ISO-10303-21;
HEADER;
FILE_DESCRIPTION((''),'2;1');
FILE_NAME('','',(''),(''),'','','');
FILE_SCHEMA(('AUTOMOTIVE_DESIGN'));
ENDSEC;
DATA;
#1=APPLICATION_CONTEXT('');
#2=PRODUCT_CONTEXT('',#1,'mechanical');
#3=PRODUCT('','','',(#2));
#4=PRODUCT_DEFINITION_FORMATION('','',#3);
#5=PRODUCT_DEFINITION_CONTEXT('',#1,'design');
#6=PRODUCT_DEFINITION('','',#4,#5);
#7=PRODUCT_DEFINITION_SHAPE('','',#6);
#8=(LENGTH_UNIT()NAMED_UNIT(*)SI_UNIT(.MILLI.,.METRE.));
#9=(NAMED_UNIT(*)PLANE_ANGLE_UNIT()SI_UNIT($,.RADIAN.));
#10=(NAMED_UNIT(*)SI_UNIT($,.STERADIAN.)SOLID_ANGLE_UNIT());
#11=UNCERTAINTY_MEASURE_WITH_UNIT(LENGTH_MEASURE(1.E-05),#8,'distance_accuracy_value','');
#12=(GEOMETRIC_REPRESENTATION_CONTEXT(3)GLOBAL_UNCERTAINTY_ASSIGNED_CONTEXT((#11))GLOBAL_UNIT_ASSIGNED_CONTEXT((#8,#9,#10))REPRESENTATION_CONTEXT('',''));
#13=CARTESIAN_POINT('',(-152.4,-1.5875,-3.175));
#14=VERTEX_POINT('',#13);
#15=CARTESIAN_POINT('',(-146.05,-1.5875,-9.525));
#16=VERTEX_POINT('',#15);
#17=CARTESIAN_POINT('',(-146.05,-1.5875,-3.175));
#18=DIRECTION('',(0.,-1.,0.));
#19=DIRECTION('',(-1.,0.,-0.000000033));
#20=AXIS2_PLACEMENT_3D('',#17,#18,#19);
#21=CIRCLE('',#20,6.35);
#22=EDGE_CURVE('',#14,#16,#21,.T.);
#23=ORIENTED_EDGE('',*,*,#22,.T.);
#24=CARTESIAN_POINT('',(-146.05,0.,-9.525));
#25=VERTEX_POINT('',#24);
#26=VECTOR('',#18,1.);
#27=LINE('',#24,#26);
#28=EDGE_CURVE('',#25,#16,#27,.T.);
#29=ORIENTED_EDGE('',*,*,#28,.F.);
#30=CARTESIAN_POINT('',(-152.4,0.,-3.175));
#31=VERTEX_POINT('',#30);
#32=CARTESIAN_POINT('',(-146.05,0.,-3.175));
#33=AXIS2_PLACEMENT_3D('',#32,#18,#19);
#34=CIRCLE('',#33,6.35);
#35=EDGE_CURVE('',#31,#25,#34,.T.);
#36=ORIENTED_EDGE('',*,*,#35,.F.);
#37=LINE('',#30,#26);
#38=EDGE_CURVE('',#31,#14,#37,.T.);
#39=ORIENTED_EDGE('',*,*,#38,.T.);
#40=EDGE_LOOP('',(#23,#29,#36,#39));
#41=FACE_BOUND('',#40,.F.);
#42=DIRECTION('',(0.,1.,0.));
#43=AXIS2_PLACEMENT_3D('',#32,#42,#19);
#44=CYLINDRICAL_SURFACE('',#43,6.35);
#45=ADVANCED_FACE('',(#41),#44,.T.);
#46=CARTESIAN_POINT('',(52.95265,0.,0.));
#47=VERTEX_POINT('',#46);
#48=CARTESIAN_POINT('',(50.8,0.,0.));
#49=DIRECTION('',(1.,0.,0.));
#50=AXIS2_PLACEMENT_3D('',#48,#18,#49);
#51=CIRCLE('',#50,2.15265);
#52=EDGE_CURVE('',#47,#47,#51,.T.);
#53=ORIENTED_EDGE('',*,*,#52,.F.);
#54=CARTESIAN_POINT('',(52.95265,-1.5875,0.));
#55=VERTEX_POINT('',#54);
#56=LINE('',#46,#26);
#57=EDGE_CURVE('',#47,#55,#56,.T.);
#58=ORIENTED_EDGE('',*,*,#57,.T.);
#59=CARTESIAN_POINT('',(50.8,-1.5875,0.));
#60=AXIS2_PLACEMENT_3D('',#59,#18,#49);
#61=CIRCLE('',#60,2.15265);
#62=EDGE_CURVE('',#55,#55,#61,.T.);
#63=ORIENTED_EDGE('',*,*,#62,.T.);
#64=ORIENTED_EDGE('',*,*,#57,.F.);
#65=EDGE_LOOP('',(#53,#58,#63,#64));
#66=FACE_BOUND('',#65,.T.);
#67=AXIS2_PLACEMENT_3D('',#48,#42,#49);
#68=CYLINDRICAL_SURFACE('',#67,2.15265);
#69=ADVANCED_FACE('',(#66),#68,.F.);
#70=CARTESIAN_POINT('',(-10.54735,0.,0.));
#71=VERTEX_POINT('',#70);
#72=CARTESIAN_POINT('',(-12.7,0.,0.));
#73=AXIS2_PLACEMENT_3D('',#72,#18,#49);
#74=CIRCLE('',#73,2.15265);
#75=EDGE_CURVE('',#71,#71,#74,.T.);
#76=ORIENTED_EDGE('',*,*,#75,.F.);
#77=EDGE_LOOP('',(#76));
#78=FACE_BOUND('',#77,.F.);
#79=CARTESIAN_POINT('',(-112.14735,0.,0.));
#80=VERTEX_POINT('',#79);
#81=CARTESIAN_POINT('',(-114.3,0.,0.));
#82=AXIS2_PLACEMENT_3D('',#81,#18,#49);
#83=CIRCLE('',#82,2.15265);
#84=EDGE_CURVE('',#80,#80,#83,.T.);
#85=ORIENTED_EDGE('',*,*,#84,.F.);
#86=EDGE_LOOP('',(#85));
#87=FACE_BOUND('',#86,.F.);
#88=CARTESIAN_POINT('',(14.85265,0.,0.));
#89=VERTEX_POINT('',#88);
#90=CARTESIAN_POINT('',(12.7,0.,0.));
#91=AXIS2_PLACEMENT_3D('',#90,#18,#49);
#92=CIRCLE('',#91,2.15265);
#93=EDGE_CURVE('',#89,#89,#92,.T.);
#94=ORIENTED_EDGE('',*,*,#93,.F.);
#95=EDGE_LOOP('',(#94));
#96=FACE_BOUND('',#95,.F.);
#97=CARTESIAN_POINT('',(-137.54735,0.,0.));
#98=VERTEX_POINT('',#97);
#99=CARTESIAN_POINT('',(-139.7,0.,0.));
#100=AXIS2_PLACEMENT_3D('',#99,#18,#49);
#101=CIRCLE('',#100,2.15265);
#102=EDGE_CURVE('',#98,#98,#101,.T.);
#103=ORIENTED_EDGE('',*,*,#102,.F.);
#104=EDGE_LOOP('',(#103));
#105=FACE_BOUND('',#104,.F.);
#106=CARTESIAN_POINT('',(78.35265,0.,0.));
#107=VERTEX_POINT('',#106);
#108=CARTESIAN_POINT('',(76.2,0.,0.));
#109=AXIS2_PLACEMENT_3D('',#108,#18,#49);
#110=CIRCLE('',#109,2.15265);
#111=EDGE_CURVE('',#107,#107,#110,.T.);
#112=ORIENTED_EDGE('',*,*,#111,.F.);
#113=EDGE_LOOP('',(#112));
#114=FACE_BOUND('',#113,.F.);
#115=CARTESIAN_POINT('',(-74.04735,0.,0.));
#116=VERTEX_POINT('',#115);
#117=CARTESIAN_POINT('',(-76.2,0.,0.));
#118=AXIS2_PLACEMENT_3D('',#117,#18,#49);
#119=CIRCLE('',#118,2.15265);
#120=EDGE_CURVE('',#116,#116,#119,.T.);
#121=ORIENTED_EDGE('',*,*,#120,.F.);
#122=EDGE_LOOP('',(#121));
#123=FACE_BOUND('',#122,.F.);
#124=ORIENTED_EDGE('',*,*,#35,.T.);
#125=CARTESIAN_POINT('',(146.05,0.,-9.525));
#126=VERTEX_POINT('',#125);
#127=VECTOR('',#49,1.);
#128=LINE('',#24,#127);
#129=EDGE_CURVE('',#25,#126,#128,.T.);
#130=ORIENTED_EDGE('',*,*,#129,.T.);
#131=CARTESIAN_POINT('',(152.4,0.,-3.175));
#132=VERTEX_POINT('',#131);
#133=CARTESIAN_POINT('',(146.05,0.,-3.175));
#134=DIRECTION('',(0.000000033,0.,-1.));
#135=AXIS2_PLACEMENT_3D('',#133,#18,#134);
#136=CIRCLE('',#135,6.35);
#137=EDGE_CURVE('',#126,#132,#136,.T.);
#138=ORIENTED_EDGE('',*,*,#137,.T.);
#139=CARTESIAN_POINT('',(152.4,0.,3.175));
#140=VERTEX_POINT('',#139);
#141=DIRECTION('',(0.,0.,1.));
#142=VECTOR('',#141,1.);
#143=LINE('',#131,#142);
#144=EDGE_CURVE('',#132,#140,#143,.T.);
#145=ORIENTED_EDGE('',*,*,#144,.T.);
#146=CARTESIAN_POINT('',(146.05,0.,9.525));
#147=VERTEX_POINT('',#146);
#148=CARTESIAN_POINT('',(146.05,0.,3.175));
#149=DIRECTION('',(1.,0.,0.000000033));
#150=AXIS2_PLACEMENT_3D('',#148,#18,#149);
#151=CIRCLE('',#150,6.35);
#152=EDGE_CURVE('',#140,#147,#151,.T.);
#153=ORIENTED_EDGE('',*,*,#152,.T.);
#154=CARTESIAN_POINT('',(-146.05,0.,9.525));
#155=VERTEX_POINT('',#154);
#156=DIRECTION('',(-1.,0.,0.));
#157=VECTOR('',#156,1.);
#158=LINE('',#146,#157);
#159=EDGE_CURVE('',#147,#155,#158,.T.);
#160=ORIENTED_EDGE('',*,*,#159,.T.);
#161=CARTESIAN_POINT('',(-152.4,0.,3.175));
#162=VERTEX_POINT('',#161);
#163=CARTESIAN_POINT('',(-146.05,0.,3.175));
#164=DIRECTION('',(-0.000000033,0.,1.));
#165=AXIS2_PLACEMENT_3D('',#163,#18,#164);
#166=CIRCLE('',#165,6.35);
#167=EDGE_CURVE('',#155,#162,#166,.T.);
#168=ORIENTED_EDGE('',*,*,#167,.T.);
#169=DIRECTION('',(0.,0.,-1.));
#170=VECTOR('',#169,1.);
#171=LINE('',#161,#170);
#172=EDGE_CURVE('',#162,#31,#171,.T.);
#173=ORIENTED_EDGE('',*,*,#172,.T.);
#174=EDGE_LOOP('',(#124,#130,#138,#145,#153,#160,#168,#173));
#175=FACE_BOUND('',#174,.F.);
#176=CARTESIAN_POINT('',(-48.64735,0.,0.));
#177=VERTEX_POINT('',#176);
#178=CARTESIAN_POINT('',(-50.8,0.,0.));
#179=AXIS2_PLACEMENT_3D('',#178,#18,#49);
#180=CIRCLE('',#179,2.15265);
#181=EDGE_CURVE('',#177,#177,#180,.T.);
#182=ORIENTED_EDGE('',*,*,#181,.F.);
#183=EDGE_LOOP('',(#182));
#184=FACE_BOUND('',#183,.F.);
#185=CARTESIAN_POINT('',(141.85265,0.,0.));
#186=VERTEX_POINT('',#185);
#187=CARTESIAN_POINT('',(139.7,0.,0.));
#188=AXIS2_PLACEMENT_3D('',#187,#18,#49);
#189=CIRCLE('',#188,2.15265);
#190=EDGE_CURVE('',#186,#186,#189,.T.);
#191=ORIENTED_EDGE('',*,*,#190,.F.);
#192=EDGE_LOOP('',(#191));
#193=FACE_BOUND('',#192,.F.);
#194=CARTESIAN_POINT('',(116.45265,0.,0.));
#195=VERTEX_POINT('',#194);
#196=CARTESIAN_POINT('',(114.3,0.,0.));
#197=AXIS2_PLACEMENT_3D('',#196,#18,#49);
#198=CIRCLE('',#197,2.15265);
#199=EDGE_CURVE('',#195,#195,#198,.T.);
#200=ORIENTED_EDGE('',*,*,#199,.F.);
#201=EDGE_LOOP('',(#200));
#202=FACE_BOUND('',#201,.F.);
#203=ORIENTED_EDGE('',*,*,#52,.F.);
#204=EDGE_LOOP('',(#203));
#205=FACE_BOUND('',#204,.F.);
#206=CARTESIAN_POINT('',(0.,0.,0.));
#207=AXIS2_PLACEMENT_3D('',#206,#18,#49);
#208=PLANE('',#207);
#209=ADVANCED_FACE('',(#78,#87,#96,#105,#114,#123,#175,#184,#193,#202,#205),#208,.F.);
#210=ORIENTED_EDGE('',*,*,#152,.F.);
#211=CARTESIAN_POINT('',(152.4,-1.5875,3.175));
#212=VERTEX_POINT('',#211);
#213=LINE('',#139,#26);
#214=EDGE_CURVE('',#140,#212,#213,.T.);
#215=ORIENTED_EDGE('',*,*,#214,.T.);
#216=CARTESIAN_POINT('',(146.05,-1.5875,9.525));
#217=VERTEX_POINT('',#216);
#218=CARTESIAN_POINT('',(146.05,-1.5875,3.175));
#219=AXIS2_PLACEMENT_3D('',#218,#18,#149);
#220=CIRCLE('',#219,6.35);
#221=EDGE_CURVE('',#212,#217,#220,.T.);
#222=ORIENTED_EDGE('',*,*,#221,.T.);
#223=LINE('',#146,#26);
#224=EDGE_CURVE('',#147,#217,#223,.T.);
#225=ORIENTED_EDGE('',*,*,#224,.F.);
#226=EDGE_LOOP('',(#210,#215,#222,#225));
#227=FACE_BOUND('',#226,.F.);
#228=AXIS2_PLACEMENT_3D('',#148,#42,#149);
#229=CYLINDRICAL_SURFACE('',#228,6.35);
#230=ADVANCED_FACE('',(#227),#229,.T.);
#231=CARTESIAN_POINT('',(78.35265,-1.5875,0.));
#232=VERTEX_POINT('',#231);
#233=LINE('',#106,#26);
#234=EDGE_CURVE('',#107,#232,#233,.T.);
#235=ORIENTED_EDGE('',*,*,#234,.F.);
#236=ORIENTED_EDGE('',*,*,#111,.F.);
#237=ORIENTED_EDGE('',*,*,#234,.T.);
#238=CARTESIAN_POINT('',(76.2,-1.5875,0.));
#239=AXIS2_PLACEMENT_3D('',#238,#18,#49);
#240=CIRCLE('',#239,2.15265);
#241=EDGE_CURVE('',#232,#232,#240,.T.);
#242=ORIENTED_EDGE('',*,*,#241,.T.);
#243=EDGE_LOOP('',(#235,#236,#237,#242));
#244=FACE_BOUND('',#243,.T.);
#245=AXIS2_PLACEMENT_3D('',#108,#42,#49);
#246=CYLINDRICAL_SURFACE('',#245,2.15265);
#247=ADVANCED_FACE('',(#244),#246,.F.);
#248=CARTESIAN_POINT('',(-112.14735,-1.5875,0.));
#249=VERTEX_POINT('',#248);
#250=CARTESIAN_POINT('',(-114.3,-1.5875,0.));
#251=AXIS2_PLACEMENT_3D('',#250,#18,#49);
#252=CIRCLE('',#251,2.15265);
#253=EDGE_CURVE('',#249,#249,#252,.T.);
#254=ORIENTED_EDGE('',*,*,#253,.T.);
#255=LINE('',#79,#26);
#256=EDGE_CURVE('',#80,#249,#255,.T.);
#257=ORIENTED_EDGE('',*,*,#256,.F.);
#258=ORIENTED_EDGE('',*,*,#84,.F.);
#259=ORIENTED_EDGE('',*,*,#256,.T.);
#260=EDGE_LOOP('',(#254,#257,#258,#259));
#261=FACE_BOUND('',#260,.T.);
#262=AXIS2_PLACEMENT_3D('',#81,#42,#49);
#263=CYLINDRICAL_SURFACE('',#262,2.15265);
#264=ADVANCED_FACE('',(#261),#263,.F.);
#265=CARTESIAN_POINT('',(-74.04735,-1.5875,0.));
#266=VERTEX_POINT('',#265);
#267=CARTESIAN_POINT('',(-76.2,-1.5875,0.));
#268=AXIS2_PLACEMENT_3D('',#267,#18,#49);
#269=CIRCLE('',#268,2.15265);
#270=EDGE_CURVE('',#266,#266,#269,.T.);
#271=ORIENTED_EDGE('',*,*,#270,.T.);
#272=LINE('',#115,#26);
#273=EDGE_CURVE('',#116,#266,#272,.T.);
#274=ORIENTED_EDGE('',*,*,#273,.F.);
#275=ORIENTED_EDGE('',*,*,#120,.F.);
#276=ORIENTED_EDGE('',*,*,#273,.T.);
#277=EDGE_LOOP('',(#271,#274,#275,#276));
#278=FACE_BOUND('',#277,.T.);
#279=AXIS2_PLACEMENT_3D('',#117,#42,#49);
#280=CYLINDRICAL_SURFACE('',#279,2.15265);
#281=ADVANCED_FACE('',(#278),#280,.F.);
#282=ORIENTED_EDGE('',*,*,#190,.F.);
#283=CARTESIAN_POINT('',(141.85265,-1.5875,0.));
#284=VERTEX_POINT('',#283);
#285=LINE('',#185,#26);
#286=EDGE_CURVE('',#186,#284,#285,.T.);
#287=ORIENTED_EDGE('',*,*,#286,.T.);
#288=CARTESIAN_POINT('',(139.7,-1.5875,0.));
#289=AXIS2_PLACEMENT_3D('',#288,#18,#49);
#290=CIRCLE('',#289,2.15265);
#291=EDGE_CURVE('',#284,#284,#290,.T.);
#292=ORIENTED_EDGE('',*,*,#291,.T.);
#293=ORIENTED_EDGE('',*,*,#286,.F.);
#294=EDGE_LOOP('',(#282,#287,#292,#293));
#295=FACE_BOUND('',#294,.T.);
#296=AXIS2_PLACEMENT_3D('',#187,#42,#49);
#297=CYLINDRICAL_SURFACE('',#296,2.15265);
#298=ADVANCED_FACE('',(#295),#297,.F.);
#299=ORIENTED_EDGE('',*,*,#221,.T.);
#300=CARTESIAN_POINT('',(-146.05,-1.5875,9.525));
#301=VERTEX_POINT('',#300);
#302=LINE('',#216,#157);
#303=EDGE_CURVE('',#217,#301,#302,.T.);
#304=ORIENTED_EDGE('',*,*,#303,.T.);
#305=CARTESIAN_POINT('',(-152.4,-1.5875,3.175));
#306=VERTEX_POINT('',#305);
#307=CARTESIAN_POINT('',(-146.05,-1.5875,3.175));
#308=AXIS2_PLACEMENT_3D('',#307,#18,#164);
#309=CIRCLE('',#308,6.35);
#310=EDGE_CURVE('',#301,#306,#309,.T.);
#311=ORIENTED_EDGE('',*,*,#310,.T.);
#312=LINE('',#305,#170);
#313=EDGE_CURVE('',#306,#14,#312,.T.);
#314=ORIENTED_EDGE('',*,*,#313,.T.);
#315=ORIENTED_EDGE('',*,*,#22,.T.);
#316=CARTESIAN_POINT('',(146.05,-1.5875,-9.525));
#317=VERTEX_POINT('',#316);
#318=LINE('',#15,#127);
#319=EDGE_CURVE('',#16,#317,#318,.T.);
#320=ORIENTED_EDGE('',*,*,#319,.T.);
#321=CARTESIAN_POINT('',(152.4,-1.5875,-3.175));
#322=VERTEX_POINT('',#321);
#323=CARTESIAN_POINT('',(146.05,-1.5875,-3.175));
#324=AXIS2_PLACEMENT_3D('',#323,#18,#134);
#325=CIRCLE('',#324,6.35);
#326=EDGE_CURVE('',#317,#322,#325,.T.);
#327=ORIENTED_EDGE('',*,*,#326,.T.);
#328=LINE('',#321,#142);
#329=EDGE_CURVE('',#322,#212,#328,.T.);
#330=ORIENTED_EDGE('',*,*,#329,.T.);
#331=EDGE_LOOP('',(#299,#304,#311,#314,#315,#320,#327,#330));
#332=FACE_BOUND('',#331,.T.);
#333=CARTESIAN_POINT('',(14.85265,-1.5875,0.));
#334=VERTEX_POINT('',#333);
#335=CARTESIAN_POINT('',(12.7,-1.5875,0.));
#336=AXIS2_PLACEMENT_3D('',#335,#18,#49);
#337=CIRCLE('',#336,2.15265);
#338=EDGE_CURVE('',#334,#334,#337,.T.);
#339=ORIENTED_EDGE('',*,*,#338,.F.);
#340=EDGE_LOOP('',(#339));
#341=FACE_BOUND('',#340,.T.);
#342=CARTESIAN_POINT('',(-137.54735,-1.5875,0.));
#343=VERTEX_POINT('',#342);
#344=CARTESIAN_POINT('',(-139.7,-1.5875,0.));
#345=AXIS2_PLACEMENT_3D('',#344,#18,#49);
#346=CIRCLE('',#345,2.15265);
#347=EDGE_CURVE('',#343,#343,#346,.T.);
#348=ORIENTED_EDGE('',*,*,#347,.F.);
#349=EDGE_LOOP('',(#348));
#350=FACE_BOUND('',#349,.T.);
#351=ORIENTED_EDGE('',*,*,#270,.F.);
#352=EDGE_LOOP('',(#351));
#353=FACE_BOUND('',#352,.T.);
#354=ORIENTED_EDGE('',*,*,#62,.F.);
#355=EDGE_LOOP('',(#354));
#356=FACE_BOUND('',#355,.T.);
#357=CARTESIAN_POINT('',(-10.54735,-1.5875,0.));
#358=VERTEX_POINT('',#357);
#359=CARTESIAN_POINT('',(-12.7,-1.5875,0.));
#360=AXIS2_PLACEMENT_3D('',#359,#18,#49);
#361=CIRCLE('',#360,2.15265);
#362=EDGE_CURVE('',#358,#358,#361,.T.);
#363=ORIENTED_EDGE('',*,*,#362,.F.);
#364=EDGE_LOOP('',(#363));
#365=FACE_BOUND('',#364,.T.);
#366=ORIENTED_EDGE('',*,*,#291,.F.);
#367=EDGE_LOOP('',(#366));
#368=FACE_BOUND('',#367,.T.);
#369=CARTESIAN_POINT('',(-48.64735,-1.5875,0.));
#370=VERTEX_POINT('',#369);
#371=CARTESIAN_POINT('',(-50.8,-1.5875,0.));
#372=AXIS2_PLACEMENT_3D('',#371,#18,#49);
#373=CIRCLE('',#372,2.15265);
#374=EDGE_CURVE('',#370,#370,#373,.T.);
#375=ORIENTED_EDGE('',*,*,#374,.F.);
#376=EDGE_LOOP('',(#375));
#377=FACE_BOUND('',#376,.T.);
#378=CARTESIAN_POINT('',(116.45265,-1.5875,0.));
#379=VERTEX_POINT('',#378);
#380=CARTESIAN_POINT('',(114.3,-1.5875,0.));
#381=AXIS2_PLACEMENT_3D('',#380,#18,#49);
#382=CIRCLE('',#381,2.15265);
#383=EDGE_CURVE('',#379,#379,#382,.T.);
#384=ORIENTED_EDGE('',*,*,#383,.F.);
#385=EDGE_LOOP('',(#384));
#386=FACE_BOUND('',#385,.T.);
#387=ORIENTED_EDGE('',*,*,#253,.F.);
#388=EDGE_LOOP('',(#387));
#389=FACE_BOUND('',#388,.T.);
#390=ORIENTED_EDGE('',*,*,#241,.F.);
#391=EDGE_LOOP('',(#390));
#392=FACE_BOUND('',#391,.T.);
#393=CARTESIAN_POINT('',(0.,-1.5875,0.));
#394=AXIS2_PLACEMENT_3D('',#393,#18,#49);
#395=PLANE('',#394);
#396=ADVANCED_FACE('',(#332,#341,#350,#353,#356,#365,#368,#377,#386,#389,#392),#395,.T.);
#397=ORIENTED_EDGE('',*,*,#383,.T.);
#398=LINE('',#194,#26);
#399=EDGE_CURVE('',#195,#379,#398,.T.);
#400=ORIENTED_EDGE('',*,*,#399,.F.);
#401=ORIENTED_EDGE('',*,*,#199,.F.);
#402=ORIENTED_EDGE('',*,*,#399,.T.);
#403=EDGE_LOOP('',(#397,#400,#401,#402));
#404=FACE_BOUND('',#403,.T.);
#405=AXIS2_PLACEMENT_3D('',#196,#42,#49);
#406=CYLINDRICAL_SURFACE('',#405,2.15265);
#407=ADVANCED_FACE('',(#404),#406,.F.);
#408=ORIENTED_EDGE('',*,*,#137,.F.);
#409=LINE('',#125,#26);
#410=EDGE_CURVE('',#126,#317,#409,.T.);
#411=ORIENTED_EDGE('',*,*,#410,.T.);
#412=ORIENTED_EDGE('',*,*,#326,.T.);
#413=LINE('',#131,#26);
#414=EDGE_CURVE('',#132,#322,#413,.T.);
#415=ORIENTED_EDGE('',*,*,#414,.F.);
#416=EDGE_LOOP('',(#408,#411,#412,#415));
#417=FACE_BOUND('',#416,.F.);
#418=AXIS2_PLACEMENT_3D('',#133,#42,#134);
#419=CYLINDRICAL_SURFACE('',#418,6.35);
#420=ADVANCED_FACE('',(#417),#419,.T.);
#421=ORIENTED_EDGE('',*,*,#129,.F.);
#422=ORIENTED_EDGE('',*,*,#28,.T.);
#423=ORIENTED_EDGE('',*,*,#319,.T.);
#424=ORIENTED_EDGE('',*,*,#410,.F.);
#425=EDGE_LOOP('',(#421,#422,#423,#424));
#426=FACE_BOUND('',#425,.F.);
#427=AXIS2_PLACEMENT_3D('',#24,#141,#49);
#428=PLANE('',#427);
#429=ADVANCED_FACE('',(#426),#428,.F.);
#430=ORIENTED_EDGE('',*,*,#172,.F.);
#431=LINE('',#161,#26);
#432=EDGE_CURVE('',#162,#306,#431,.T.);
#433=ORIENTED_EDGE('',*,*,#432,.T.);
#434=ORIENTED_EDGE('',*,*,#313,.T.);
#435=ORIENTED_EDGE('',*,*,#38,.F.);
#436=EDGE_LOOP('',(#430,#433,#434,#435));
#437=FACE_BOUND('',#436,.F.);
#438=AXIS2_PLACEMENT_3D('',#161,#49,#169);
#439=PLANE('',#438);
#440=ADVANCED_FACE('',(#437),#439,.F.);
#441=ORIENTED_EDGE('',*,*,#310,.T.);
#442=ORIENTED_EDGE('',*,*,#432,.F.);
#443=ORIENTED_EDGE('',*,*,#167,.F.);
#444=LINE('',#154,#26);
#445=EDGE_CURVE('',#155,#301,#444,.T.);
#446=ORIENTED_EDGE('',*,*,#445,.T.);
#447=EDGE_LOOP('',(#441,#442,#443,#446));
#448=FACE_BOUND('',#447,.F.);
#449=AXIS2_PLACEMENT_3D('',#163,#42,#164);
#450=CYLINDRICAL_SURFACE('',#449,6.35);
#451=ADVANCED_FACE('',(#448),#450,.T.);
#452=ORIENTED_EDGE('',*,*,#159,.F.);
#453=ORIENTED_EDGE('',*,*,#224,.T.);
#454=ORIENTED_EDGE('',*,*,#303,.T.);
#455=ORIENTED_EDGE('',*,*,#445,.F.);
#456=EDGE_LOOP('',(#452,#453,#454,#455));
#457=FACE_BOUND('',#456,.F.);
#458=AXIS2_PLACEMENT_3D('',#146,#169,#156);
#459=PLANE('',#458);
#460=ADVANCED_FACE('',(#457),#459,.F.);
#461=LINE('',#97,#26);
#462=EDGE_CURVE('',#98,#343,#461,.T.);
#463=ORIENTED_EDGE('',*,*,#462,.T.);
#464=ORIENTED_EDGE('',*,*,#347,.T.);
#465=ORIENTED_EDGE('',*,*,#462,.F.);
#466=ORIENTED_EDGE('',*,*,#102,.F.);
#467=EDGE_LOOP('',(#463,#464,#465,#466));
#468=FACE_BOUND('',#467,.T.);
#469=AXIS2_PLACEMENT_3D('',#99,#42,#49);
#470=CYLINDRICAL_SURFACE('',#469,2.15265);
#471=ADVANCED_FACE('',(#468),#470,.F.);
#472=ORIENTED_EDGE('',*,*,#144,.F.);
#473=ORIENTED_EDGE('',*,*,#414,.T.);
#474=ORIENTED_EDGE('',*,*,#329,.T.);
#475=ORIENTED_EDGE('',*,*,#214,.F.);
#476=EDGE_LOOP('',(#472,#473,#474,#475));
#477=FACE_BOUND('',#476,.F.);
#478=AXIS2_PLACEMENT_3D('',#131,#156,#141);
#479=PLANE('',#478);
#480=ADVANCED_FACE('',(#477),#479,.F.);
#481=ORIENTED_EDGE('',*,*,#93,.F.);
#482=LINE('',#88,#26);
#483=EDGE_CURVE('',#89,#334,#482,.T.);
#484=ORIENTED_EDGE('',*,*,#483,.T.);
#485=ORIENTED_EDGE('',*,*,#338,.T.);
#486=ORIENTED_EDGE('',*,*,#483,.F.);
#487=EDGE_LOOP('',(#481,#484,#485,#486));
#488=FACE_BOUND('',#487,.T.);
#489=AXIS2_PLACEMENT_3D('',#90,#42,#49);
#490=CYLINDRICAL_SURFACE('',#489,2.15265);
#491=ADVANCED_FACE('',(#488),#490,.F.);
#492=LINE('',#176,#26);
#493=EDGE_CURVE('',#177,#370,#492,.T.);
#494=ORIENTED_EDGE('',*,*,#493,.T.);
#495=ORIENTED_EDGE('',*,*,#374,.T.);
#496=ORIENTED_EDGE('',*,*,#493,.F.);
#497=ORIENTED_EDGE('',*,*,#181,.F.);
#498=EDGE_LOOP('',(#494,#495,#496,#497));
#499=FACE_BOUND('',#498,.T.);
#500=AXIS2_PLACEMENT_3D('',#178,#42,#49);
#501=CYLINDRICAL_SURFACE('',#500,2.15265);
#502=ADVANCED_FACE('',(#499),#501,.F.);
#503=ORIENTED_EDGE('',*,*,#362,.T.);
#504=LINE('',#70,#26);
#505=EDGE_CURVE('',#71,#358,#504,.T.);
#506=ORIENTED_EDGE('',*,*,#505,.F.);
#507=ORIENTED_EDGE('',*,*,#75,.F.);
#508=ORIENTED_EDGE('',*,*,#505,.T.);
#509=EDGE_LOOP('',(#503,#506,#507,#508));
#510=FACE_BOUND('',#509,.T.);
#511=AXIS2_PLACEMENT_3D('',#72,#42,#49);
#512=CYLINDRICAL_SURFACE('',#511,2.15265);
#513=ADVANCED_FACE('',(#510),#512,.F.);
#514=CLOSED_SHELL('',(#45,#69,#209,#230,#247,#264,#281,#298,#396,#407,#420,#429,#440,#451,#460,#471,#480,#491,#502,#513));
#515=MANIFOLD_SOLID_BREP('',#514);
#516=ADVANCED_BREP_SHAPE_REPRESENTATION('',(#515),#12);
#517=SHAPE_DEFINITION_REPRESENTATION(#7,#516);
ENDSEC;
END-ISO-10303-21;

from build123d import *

# Parameters (mm, degrees)
F0_R     = 2.15265
F1_DEPTH = 1.5875


with BuildPart() as f1:
    # F0 (on Front) → F1 (new body)
    with BuildSketch(Plane.XZ):
        with BuildLine():
            Line((146.05, 9.525), (-146.05, 9.525))
            ThreePointArc((-146.05, 9.525), (-150.540128, 7.665128), (-152.4, 3.175))
            Line((-152.4, 3.175), (-152.4, -3.175))
            ThreePointArc((-152.4, -3.175), (-150.540128, -7.665128), (-146.05, -9.525))
            Line((-146.05, -9.525), (-82.55, -9.525))
            Line((-82.55, -9.525), (-19.05, -9.525))
            Line((-19.05, -9.525), (146.05, -9.525))
            ThreePointArc((146.05, -9.525), (150.540128, -7.665128), (152.4, -3.175))
            Line((152.4, -3.175), (152.4, 3.175))
            ThreePointArc((152.4, 3.175), (150.540128, 7.665128), (146.05, 9.525))
        make_face()
        with Locations((-139.7, 0)):
            Circle(F0_R, mode=Mode.SUBTRACT)
        with Locations((-114.3, 0)):
            Circle(F0_R, mode=Mode.SUBTRACT)
        with Locations((-76.2, 0)):
            Circle(F0_R, mode=Mode.SUBTRACT)
        with Locations((-50.8, 0)):
            Circle(F0_R, mode=Mode.SUBTRACT)
        with Locations((-12.7, 0)):
            Circle(F0_R, mode=Mode.SUBTRACT)
        with Locations((12.7, 0)):
            Circle(F0_R, mode=Mode.SUBTRACT)
        with Locations((50.8, 0)):
            Circle(F0_R, mode=Mode.SUBTRACT)
        with Locations((76.2, 0)):
            Circle(F0_R, mode=Mode.SUBTRACT)
        with Locations((114.3, 0)):
            Circle(F0_R, mode=Mode.SUBTRACT)
        with Locations((139.7, 0)):
            Circle(F0_R, mode=Mode.SUBTRACT)
    extrude(amount=F1_DEPTH)


solid = f1.part
